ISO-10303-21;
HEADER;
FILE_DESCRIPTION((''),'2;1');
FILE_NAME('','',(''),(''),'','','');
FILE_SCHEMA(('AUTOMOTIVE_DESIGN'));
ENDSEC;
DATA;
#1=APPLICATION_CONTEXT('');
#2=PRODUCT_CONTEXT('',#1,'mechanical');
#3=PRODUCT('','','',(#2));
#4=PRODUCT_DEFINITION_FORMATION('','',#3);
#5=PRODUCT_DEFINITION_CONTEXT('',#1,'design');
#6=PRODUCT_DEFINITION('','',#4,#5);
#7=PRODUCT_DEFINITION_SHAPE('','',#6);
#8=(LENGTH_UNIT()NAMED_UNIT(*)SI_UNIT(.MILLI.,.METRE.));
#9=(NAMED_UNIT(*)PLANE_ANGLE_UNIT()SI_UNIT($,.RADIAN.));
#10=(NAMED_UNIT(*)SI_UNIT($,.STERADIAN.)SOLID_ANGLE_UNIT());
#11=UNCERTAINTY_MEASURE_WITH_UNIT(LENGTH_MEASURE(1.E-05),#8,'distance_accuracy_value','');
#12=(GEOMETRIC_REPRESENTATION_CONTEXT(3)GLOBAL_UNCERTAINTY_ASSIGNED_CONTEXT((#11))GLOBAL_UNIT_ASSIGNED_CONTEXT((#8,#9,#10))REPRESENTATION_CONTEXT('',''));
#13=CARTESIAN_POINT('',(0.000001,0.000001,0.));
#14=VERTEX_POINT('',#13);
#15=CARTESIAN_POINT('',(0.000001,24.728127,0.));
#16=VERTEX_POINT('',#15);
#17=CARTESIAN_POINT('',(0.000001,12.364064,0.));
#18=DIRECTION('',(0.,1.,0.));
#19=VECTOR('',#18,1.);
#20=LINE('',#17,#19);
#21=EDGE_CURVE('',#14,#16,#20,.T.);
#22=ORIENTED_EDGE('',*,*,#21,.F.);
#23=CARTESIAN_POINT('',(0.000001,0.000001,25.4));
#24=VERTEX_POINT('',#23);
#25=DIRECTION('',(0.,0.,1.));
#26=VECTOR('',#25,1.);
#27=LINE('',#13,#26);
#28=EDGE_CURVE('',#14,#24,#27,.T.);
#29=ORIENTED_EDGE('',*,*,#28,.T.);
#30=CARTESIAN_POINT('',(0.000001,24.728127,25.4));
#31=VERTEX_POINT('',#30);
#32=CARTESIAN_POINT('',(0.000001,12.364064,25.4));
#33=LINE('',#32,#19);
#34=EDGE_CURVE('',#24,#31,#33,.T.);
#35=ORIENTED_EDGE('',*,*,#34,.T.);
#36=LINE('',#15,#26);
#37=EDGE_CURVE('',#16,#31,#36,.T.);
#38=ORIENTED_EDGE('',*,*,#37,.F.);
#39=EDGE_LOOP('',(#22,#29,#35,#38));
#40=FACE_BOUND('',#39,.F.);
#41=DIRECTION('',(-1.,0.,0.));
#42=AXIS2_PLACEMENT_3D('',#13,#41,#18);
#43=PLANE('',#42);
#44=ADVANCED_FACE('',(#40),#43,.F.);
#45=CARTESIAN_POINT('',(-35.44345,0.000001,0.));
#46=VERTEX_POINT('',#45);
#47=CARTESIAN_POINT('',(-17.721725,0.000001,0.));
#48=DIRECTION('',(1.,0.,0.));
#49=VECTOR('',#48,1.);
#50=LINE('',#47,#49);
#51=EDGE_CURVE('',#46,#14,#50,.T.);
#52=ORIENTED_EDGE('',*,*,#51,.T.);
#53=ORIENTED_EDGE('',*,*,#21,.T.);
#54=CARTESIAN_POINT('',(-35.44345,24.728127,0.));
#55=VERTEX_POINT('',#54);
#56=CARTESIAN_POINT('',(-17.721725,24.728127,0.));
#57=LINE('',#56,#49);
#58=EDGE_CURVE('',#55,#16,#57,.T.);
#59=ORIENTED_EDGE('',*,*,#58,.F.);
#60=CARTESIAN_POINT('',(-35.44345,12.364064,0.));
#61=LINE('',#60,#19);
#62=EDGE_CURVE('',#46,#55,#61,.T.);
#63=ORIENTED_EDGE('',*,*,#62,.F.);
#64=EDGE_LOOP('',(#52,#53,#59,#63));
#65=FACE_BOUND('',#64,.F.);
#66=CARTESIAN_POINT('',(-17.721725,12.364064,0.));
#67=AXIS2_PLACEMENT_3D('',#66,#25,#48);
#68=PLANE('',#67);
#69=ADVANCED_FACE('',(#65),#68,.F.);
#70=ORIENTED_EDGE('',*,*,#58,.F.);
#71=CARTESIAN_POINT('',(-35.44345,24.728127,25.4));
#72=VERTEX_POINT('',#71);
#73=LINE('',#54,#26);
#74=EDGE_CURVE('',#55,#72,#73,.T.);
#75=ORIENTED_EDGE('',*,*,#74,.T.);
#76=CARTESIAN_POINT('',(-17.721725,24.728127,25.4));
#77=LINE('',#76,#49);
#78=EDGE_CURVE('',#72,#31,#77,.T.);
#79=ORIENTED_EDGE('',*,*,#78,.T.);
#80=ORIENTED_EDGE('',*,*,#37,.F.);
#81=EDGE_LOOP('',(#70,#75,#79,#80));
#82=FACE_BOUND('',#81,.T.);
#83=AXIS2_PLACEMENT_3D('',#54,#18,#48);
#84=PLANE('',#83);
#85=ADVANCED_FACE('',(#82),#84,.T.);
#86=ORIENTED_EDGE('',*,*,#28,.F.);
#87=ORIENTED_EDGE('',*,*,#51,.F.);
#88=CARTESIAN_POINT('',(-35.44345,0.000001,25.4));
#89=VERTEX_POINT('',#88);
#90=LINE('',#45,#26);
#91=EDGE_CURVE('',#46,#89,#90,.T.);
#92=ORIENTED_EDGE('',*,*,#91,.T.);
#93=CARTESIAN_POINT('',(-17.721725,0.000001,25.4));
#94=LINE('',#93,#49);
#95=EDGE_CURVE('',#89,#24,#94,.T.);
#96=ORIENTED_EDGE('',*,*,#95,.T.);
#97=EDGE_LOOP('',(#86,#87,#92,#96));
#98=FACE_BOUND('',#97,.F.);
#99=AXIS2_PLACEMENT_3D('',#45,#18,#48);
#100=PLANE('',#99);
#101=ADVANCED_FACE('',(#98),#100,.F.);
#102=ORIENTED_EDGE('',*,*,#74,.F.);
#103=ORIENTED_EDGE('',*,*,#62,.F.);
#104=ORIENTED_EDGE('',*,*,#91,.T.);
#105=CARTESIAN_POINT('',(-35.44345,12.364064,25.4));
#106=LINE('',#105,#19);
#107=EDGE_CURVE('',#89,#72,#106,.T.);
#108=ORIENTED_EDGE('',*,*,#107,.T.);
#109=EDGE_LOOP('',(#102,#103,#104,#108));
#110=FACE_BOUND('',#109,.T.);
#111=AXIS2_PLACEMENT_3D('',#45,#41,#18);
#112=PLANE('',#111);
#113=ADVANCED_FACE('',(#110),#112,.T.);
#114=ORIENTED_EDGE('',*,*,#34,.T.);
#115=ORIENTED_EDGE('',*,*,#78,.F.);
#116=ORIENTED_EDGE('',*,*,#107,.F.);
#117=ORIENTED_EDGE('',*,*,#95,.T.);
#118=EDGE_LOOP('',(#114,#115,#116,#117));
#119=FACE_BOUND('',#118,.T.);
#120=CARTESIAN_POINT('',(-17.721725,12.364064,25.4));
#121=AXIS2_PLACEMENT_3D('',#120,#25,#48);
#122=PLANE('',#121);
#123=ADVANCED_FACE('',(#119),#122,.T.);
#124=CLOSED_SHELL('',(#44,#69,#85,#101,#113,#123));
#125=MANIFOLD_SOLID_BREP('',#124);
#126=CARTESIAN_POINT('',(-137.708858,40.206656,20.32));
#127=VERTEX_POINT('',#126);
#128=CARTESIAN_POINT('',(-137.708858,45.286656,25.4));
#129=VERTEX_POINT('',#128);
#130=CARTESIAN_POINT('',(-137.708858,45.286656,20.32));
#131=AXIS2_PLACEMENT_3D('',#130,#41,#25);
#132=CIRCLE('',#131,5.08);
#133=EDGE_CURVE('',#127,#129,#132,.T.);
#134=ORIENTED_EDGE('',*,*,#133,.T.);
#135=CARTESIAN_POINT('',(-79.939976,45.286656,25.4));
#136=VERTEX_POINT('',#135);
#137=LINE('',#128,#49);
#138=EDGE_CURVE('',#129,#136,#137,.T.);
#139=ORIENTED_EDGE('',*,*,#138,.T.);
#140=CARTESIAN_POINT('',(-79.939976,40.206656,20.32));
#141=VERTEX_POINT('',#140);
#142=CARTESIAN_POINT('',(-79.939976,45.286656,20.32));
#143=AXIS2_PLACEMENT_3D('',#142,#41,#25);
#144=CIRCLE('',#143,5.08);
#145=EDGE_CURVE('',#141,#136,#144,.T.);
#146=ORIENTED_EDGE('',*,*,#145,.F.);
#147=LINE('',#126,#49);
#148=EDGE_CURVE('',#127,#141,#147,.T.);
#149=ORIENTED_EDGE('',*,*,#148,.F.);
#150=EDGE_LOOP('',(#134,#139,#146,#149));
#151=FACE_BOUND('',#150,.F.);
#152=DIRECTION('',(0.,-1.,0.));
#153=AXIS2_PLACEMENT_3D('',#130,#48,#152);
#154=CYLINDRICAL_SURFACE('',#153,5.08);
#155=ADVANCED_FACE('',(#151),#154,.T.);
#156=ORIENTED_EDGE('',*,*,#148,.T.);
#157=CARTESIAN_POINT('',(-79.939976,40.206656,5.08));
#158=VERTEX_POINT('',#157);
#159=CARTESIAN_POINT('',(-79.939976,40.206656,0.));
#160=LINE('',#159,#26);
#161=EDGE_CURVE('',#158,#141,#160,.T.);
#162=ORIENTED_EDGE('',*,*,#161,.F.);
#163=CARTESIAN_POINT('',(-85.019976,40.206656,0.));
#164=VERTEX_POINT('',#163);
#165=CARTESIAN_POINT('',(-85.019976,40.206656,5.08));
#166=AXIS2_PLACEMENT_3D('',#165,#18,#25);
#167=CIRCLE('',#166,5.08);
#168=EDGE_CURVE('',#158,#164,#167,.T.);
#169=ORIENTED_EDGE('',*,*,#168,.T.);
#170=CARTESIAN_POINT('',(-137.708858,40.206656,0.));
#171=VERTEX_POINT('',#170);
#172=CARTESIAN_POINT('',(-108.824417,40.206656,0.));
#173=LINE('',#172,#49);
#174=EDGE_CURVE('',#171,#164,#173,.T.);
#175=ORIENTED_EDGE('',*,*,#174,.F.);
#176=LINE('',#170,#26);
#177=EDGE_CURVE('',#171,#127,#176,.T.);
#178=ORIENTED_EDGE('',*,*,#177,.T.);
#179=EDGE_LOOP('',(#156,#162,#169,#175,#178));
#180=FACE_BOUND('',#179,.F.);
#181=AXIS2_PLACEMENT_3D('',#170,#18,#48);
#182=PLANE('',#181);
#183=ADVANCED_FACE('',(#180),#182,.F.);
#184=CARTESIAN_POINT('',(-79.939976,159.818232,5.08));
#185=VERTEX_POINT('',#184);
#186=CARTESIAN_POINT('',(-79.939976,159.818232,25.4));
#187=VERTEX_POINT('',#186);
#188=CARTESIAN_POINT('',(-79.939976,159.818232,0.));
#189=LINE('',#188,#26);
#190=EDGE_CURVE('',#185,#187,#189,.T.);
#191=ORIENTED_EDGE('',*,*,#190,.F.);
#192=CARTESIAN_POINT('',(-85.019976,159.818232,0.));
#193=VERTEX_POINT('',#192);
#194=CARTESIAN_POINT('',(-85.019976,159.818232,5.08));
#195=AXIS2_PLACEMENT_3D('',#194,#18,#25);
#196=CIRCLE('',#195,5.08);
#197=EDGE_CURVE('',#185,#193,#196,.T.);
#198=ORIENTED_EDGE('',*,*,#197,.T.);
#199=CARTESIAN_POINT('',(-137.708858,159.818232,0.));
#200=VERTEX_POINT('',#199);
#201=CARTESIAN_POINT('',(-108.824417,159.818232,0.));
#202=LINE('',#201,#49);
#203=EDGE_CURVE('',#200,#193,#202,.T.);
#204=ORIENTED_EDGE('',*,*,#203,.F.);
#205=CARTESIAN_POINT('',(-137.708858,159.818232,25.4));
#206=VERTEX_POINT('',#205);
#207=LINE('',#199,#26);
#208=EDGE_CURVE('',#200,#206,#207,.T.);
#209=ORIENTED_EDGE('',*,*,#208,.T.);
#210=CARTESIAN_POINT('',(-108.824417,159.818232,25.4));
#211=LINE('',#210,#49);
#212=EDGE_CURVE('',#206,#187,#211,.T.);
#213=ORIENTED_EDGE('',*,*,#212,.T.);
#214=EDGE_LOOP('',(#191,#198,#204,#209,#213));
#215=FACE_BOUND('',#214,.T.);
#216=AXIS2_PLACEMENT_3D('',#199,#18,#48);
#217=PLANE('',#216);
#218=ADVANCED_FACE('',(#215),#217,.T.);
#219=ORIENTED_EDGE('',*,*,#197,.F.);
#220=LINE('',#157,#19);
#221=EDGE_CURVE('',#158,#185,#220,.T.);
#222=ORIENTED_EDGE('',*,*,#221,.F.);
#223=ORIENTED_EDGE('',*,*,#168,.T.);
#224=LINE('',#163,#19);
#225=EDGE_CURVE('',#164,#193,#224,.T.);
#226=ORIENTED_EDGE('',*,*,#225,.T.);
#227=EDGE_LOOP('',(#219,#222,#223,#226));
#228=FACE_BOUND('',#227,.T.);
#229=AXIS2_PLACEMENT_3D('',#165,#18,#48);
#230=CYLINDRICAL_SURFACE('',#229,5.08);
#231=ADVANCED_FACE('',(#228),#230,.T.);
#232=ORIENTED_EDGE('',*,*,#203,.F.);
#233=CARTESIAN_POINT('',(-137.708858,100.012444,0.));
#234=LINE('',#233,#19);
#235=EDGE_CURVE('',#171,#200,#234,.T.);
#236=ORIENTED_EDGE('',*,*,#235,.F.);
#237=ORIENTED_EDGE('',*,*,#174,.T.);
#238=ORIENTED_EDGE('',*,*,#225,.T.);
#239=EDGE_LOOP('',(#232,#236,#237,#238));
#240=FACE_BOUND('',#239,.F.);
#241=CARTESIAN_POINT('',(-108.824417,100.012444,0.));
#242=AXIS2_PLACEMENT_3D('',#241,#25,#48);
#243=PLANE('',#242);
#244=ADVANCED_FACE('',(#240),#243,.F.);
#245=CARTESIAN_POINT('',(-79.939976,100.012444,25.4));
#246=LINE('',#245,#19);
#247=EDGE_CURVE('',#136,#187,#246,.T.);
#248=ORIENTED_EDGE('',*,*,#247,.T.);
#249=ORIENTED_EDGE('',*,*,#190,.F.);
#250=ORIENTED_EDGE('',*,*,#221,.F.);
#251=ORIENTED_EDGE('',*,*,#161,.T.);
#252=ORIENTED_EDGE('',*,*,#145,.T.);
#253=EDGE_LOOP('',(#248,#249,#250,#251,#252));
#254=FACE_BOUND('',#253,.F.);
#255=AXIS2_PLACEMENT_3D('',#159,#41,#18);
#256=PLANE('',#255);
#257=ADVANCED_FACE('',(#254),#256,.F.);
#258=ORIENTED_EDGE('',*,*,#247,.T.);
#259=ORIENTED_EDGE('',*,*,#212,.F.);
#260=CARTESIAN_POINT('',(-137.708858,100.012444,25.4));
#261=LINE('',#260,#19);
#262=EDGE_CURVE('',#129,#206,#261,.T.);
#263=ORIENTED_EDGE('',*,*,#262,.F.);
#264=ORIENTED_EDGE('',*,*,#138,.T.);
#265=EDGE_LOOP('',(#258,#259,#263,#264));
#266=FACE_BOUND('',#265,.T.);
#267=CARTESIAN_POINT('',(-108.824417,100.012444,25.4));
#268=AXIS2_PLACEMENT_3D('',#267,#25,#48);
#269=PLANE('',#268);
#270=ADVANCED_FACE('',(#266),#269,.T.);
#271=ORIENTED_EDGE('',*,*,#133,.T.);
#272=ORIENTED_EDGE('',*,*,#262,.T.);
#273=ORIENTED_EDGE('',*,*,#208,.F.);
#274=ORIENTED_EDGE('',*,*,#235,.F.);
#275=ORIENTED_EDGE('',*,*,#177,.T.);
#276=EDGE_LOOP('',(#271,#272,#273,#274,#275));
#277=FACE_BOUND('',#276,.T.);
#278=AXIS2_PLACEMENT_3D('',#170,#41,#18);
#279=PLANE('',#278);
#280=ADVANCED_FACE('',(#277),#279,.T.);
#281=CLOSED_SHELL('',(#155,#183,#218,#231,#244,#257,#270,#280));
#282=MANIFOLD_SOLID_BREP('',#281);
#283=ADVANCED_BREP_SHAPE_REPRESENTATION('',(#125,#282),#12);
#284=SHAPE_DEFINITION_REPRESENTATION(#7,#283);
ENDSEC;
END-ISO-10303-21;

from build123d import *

# Parameters (mm, degrees)
F0_W     = 35.443451
F0_H     = 24.728127
F0_W_2   = 57.768882
F0_H_2   = 119.611576
F1_DEPTH = 25.4
F2_R     = 5.08


with BuildPart() as f1:
    # F0 (on Top) → F1 (new body)
    with BuildSketch(Plane.XY):
        with Locations((-17.721725, 12.364064)):
            Rectangle(F0_W, F0_H)
        with Locations((-108.824417, 100.012444)):
            Rectangle(F0_W_2, F0_H_2)
    extrude(amount=F1_DEPTH)

    # F2
    f2_edges = [f1.edges().sort_by_distance(p)[0] for p in [
        (-108.824417, 40.206656, 25.4),
        (-79.939976, 100.012444, 0),
    ]]
    fillet(f2_edges, radius=F2_R)


solid = f1.part
